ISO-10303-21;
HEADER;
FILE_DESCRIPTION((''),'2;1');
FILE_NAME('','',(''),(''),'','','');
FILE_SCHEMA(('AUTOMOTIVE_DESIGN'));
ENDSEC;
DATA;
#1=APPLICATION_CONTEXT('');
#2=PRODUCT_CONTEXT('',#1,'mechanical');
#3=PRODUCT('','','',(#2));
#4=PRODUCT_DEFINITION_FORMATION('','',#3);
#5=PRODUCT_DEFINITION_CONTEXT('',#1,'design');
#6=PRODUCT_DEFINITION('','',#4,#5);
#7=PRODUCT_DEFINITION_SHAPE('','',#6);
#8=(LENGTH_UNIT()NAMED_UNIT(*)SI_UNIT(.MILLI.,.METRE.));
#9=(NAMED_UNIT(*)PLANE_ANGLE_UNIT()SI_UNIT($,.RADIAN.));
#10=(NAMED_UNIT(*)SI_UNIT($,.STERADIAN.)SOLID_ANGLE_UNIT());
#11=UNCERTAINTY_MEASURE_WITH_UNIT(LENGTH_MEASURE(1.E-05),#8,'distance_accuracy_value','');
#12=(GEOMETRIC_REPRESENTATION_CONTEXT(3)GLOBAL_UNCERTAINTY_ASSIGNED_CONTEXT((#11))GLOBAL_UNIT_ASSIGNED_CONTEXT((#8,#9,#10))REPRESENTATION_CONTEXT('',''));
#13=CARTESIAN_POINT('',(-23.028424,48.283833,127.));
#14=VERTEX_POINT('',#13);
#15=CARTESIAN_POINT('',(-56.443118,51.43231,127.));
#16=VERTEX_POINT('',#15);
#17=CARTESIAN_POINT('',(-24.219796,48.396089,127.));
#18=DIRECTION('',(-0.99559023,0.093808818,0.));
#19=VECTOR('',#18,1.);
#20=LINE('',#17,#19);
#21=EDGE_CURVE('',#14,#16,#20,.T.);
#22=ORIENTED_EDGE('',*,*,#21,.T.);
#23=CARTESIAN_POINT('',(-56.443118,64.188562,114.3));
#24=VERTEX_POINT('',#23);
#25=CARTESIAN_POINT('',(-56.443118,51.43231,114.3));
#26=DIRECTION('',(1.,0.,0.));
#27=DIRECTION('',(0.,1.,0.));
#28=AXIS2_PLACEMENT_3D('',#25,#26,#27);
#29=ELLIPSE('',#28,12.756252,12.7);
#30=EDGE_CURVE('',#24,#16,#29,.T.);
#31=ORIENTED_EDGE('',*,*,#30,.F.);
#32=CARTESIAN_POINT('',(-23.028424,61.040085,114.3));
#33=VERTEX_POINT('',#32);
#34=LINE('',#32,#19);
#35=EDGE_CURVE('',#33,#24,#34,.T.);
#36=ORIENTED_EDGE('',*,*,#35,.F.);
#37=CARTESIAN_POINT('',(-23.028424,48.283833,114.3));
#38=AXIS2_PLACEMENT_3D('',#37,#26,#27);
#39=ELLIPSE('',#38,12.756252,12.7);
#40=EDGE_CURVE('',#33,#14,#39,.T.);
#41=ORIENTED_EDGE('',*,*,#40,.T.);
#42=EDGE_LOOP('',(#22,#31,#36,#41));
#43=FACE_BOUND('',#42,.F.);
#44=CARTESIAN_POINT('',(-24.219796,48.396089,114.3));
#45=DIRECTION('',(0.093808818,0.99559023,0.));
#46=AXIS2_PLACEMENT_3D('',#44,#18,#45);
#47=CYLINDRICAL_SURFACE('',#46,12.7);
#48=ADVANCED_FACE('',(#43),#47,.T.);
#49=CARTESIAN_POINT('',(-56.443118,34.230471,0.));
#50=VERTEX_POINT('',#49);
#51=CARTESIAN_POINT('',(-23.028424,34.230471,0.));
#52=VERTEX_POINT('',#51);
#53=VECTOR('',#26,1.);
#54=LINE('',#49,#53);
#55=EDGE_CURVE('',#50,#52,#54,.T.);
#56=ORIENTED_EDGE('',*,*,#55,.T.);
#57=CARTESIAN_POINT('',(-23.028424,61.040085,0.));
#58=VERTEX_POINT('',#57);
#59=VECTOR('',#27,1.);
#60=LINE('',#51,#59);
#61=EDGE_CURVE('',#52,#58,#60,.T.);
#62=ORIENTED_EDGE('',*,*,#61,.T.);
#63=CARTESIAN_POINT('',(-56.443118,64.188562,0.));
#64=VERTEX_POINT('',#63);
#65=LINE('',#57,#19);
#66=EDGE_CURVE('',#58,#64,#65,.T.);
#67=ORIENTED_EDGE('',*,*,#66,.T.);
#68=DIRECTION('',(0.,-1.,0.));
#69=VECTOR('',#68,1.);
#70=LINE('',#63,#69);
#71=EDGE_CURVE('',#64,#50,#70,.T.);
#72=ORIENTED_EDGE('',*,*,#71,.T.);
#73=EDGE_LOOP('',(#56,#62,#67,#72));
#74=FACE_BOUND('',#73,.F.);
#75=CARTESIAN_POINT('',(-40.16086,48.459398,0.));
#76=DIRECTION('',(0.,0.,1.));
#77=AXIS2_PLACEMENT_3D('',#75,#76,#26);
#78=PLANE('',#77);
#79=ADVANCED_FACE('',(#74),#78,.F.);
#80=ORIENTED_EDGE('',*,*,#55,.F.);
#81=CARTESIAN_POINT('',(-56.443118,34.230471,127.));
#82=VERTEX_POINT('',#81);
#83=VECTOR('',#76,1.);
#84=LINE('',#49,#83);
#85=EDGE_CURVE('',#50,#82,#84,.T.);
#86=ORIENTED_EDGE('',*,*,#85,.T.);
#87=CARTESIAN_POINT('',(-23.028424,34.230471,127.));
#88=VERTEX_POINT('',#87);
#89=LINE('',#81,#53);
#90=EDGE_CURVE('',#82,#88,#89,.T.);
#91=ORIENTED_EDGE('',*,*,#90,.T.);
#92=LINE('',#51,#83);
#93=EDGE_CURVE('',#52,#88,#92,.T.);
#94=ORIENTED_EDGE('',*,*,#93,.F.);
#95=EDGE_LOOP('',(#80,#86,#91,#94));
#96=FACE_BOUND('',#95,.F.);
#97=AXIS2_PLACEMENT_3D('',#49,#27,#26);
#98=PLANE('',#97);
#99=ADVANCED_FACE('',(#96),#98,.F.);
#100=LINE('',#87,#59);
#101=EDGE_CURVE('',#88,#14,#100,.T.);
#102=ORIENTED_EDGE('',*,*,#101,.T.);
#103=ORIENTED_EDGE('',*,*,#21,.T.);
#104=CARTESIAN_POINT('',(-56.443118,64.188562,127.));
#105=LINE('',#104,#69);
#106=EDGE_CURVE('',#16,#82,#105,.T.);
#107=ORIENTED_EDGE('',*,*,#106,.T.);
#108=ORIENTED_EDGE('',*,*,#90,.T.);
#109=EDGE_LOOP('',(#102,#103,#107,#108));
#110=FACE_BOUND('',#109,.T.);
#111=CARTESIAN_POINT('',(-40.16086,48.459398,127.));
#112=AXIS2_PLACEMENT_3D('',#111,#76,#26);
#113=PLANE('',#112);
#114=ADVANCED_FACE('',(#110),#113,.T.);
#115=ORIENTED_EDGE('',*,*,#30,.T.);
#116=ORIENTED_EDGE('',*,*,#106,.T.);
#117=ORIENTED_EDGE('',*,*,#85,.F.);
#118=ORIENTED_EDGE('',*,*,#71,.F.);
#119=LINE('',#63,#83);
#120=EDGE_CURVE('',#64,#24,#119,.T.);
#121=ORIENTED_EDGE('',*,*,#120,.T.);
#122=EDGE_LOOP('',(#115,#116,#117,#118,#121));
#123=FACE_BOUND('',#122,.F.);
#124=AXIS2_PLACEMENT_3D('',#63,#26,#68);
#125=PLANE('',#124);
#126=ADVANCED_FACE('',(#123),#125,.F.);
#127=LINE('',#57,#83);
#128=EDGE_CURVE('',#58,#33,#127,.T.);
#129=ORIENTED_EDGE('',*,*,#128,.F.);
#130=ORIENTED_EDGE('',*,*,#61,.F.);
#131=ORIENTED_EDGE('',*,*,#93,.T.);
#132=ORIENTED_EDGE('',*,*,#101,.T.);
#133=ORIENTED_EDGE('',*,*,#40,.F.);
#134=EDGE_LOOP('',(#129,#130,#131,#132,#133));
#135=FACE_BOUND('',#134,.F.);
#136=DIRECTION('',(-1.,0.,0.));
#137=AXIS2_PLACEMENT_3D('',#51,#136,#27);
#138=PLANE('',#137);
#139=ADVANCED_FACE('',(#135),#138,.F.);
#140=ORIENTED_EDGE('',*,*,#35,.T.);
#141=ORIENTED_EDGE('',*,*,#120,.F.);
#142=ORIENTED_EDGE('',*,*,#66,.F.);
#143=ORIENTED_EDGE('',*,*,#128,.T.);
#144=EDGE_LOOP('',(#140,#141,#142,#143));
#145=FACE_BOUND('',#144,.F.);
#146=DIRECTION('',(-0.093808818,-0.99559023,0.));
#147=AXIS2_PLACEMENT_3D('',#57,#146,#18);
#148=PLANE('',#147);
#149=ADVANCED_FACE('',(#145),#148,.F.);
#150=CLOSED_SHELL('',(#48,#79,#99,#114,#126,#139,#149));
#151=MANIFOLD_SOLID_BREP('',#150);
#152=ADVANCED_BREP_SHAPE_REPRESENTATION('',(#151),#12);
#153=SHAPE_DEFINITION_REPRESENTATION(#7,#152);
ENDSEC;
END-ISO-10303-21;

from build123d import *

# Parameters (mm, degrees)
F1_DEPTH = 127
F2_R     = 12.7


with BuildPart() as f1:
    # F0 (on Top) → F1 (new body)
    with BuildSketch(Plane.XY):
        Polygon((-23.028424, 34.230471), (-23.028424, 61.040085), (-56.443118, 64.188562), (-56.443118, 34.230471), align=None)
    extrude(amount=F1_DEPTH)

    # F2
    f2_edges = [f1.edges().sort_by_distance(p)[0] for p in [
        (-39.735771, 62.614324, 127),
    ]]
    fillet(f2_edges, radius=F2_R)


solid = f1.part
